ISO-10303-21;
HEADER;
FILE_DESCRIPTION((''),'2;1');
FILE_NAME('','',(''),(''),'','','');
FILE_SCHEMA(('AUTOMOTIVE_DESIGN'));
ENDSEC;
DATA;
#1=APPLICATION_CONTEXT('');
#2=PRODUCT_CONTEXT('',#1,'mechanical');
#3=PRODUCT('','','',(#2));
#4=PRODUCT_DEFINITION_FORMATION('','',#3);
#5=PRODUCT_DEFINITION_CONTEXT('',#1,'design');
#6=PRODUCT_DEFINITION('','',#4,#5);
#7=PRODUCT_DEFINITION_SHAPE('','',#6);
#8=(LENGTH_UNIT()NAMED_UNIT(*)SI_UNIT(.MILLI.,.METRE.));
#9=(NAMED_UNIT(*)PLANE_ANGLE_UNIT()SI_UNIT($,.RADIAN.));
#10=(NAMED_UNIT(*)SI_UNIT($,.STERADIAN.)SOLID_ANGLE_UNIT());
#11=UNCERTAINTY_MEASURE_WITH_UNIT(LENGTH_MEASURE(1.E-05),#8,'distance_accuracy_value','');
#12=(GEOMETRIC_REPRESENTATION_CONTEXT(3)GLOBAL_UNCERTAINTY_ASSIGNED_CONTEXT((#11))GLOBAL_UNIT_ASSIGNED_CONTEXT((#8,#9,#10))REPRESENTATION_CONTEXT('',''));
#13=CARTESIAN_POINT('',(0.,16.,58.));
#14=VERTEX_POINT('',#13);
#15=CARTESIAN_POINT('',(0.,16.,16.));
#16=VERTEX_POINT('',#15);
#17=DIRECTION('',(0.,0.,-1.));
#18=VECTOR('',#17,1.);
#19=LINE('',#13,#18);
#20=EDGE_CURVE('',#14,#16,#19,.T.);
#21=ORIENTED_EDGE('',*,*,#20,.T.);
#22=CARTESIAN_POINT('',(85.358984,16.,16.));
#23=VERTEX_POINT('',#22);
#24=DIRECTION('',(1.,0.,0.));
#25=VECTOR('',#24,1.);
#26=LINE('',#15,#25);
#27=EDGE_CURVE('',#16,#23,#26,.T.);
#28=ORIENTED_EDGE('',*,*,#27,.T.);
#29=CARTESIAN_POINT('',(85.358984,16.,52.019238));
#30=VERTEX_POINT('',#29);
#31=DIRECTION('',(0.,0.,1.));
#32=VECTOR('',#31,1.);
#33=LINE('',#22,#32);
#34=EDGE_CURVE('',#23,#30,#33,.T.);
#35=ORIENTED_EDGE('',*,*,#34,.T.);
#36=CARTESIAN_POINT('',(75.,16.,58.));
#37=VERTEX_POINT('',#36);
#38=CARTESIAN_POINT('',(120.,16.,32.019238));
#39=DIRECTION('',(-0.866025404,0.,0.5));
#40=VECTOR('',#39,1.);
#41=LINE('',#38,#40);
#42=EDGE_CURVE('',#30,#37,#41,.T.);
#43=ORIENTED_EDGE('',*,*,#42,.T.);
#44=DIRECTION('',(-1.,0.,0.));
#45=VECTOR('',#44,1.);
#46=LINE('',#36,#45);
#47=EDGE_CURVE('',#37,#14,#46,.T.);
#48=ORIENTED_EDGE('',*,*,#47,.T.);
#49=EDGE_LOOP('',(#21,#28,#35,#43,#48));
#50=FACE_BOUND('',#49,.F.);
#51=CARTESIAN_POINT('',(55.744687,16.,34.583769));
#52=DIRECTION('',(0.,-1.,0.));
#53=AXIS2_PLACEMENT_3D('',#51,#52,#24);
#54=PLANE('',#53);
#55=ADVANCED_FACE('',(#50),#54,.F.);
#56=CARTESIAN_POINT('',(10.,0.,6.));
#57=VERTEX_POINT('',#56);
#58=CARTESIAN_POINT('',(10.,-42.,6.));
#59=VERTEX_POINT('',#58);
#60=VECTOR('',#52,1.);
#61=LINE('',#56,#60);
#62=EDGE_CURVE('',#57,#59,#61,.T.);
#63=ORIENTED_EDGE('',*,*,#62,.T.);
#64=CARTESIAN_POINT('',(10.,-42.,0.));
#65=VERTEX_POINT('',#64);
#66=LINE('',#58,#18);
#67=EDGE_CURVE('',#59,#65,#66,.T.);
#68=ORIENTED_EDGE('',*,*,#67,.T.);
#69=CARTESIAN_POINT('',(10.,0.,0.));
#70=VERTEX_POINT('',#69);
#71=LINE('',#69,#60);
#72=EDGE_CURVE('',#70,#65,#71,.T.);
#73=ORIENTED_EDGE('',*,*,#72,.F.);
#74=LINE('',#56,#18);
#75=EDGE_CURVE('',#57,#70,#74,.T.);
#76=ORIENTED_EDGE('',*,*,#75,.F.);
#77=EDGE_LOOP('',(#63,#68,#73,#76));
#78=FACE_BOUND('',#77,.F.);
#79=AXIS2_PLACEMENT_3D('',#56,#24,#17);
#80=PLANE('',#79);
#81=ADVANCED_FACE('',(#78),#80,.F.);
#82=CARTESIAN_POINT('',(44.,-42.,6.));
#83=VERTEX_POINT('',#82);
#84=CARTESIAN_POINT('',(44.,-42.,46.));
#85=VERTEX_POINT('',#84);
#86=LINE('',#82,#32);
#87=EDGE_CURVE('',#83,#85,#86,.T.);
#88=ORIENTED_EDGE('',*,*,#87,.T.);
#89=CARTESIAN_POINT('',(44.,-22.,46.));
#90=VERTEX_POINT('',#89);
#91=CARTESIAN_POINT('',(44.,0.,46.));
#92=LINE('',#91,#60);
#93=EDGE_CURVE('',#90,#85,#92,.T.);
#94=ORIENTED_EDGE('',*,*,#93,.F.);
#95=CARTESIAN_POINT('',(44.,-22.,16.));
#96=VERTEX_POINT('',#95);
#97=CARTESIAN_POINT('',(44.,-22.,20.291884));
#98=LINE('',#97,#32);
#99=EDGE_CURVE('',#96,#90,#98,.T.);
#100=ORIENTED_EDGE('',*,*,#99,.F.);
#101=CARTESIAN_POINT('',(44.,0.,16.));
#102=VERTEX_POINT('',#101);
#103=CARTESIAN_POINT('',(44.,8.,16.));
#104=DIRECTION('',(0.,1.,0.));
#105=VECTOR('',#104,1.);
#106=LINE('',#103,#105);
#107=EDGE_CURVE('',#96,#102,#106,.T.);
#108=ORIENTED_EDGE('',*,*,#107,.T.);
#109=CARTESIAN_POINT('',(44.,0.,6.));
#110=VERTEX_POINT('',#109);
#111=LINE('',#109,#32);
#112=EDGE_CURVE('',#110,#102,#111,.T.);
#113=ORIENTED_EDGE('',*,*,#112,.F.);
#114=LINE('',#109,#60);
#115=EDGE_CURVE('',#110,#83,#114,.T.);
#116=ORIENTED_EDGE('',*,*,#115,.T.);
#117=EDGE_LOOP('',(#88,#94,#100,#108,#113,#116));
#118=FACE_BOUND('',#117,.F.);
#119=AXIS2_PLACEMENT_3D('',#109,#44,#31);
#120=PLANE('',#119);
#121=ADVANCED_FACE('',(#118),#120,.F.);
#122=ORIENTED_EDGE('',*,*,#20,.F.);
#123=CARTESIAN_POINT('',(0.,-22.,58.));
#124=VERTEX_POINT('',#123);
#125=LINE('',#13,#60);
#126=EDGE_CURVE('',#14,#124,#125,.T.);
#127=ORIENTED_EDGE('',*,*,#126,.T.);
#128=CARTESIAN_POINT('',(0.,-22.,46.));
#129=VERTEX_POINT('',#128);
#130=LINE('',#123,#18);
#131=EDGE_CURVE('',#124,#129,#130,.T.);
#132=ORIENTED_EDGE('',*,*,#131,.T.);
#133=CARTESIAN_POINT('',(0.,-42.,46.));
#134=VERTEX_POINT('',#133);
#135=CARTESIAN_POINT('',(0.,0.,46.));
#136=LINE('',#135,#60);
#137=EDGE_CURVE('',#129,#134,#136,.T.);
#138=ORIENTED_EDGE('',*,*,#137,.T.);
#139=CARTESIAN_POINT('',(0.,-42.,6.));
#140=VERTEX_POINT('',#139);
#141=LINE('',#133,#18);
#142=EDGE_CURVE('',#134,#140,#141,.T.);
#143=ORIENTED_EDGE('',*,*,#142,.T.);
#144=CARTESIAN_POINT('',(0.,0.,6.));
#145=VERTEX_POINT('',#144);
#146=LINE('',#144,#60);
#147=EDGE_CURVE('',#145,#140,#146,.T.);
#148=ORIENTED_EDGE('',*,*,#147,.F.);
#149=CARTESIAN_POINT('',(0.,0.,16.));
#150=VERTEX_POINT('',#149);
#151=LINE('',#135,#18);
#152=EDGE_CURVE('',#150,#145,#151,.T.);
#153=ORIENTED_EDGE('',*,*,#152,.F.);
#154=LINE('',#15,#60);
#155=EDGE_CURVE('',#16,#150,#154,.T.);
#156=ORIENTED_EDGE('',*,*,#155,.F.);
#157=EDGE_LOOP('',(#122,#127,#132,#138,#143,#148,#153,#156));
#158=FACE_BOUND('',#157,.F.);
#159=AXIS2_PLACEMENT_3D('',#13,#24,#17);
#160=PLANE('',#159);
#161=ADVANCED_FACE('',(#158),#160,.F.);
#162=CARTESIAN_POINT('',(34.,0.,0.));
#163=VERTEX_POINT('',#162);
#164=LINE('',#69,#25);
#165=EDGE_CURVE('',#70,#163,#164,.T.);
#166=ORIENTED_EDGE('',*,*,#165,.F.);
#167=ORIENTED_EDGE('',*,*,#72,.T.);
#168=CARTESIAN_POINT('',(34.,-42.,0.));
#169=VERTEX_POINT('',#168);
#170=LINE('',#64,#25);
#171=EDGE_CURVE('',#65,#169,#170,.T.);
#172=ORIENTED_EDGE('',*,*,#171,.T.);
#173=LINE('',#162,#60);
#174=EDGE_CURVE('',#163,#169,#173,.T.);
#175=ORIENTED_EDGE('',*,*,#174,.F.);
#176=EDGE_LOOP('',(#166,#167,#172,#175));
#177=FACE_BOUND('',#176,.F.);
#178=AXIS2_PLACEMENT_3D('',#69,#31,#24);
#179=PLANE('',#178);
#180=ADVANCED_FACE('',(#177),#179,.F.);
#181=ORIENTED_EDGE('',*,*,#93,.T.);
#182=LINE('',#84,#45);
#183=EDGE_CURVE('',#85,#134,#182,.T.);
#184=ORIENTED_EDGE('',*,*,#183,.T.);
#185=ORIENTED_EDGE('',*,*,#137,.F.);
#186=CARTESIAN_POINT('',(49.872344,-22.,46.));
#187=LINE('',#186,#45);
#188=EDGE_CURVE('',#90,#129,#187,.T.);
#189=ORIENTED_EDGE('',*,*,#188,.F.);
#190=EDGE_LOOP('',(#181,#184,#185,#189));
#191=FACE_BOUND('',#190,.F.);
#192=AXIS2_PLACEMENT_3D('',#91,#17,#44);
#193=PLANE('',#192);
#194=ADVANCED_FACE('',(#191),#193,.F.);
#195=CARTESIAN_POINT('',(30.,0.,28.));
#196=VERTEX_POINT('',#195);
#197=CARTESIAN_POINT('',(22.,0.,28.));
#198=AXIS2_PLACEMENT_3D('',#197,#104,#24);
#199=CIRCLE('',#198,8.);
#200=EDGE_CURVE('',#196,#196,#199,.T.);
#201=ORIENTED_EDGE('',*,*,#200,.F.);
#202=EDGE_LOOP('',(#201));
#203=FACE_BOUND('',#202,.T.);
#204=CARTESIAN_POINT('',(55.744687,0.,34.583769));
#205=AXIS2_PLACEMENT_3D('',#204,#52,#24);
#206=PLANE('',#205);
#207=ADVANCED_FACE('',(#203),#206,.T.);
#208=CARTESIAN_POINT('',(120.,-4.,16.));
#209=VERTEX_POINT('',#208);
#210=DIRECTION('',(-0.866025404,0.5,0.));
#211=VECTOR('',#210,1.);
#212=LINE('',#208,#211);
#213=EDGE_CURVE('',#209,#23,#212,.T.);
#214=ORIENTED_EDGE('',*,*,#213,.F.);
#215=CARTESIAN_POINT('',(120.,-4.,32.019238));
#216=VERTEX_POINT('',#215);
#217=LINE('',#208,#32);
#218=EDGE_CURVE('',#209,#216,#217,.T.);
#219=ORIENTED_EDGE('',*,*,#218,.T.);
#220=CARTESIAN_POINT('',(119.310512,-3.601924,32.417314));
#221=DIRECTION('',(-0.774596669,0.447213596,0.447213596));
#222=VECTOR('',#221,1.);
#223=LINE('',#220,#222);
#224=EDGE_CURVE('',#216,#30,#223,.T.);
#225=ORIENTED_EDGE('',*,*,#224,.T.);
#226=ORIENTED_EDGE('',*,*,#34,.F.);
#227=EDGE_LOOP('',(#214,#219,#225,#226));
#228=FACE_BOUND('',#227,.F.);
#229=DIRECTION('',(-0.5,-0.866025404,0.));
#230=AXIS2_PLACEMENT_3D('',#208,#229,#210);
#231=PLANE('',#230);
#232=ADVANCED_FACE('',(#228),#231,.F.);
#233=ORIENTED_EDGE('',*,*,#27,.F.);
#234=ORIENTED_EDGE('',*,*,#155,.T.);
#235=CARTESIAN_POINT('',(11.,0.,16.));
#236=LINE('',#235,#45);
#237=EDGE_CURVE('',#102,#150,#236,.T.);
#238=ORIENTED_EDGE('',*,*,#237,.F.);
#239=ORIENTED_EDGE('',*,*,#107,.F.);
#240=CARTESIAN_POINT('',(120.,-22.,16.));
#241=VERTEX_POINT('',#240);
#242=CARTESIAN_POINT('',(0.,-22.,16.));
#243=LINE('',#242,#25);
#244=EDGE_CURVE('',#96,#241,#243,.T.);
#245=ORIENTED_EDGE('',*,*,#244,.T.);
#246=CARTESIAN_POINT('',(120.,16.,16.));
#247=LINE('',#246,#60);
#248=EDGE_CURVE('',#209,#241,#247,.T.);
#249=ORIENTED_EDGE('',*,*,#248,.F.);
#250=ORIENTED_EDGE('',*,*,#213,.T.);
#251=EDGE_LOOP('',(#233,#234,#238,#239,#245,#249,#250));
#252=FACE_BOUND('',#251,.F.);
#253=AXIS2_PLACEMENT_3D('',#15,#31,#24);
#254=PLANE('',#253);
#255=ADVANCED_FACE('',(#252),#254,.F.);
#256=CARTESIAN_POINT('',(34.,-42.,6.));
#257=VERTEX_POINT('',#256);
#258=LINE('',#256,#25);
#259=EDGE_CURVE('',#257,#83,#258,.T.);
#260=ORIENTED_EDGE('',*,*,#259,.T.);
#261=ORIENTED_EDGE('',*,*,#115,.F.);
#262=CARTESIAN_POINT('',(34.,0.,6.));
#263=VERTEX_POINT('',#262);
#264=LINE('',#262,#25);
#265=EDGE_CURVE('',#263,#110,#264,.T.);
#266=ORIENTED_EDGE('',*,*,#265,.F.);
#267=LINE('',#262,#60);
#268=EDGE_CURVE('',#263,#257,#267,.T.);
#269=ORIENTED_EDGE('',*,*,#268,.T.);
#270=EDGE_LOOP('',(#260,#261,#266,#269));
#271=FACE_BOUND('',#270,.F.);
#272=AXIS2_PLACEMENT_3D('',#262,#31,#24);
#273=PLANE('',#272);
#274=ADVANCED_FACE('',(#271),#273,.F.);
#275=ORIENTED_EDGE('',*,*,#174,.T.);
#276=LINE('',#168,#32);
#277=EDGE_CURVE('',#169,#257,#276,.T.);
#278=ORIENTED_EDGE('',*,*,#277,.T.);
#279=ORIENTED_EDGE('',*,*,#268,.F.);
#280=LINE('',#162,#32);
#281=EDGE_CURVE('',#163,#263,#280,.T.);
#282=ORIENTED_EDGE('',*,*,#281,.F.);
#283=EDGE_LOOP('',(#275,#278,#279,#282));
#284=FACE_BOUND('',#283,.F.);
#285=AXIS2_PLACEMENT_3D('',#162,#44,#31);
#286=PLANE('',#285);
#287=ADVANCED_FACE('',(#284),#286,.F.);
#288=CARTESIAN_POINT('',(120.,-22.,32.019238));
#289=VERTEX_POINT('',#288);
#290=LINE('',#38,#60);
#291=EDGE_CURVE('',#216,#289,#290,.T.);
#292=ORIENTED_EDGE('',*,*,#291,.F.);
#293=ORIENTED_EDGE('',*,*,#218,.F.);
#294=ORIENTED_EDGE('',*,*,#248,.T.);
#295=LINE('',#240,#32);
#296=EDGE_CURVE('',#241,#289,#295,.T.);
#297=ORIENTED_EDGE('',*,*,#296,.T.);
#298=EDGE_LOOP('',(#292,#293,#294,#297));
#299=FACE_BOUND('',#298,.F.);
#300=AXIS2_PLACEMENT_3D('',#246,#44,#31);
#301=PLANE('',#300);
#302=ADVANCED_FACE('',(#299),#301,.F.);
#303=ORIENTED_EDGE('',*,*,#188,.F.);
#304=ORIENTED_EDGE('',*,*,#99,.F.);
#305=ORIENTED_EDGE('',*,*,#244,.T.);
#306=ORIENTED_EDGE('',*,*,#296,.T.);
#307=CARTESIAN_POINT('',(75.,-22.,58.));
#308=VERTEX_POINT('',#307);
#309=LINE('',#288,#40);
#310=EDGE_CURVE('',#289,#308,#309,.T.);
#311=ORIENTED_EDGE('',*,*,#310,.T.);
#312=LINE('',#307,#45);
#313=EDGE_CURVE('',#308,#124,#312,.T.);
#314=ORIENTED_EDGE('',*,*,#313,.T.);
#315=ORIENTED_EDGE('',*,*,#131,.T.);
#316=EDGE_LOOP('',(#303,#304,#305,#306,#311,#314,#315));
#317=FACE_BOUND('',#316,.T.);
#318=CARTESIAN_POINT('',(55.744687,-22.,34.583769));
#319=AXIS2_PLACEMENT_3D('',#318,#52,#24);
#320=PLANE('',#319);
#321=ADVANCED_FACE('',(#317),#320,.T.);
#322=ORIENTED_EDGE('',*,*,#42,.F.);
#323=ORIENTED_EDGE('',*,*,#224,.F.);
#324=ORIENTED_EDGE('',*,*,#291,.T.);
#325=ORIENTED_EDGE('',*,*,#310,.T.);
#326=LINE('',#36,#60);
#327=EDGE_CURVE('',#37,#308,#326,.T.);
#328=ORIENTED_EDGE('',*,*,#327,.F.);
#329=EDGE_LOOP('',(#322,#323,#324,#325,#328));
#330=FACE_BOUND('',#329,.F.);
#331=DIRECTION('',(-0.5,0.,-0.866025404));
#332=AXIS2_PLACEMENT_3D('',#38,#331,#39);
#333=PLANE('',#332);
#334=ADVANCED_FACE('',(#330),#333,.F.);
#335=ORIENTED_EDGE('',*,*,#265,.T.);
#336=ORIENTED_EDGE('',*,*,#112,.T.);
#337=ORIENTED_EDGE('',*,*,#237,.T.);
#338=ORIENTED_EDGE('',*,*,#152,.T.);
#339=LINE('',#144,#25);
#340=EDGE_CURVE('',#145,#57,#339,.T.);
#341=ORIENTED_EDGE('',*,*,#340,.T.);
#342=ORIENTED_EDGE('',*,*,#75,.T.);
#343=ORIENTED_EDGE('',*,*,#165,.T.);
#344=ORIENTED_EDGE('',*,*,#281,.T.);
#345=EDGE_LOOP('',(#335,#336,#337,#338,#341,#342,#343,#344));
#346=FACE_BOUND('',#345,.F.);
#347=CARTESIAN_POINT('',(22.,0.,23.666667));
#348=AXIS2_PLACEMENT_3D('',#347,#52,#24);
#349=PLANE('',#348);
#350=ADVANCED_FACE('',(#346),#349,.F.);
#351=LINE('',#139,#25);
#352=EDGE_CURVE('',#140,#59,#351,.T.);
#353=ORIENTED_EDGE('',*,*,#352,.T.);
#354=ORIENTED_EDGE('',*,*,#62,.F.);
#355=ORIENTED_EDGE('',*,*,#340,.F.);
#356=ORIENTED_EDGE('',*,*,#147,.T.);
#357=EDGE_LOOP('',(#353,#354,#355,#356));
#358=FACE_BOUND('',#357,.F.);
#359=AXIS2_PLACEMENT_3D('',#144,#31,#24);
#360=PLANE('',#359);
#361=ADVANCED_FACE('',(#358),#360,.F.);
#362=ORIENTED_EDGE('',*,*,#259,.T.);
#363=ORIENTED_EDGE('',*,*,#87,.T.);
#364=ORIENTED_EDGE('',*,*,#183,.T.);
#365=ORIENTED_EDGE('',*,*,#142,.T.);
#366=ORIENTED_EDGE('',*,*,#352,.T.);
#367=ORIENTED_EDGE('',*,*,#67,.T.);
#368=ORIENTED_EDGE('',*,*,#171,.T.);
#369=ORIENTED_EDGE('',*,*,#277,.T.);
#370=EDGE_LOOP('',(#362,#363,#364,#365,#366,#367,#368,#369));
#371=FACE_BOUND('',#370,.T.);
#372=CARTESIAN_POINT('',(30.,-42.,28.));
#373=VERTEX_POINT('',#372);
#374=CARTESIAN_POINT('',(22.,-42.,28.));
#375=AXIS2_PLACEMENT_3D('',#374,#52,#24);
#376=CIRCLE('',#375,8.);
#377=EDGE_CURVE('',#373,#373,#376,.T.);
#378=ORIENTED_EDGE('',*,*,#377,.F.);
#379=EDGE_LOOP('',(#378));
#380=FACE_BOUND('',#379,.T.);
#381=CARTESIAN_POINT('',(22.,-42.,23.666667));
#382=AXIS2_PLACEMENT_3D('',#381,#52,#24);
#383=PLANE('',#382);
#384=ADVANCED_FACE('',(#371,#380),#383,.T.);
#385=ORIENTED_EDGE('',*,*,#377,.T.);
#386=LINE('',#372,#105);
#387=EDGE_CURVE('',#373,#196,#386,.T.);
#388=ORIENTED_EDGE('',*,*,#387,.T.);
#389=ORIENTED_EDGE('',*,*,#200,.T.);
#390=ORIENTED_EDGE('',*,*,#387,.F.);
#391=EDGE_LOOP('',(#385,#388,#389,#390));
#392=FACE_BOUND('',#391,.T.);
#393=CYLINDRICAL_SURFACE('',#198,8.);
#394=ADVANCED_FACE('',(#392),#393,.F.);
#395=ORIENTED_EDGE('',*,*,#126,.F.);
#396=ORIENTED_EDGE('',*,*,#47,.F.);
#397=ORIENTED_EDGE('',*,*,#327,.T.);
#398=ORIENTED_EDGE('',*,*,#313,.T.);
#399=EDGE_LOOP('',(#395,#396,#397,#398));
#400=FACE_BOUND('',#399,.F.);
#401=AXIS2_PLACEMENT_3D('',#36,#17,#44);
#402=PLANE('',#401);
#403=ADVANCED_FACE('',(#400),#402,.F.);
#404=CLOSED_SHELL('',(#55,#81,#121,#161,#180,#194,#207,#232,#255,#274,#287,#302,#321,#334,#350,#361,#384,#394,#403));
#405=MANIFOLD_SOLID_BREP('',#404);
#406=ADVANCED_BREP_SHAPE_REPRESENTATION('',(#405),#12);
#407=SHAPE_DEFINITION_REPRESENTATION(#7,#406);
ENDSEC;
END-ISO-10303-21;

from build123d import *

# Parameters (mm, degrees)
F0_R     = 8
F3_DEPTH = 42
F4_DEPTH = 38
F5_DEPTH = 22
F7_DEPTH = 42.001


with BuildPart() as f3:
    # F0 (on Front) → F3 (new body)
    with BuildSketch(Plane.XZ):
        Polygon((10, 6), (10, 0), (34, 0), (34, 6), (44, 6), (44, 16), (44, 46), (0, 46), (0, 6), align=None)
        with Locations((22, 28)):
            Circle(F0_R, mode=Mode.SUBTRACT)
    extrude(amount=F3_DEPTH)

    # F2 (on offset) → F4 (join)
    with BuildSketch(Plane.XZ.offset(-16)):
        Polygon((75, 58), (0, 58), (0, 16), (120, 16), (120, 32.0192378865), align=None)
    extrude(amount=F4_DEPTH)

    # F5 (cut): a face of the model
    f5_faces = [f3.faces().sort_by_distance(p)[0] for p in [
        (22, -22, 28),
    ]]
    extrude(f5_faces, amount=-F5_DEPTH, mode=Mode.SUBTRACT)

    # F6 (on face) → F7 (cut, through all)
    with BuildSketch(Plane(origin=(0, 0, 16), x_dir=(1, 0, 0), z_dir=(0, 0, -1))):
        Polygon((120, 4), (85.3589838486, -16), (120, -16), align=None)
    extrude(amount=-F7_DEPTH, mode=Mode.SUBTRACT)


solid = f3.part
